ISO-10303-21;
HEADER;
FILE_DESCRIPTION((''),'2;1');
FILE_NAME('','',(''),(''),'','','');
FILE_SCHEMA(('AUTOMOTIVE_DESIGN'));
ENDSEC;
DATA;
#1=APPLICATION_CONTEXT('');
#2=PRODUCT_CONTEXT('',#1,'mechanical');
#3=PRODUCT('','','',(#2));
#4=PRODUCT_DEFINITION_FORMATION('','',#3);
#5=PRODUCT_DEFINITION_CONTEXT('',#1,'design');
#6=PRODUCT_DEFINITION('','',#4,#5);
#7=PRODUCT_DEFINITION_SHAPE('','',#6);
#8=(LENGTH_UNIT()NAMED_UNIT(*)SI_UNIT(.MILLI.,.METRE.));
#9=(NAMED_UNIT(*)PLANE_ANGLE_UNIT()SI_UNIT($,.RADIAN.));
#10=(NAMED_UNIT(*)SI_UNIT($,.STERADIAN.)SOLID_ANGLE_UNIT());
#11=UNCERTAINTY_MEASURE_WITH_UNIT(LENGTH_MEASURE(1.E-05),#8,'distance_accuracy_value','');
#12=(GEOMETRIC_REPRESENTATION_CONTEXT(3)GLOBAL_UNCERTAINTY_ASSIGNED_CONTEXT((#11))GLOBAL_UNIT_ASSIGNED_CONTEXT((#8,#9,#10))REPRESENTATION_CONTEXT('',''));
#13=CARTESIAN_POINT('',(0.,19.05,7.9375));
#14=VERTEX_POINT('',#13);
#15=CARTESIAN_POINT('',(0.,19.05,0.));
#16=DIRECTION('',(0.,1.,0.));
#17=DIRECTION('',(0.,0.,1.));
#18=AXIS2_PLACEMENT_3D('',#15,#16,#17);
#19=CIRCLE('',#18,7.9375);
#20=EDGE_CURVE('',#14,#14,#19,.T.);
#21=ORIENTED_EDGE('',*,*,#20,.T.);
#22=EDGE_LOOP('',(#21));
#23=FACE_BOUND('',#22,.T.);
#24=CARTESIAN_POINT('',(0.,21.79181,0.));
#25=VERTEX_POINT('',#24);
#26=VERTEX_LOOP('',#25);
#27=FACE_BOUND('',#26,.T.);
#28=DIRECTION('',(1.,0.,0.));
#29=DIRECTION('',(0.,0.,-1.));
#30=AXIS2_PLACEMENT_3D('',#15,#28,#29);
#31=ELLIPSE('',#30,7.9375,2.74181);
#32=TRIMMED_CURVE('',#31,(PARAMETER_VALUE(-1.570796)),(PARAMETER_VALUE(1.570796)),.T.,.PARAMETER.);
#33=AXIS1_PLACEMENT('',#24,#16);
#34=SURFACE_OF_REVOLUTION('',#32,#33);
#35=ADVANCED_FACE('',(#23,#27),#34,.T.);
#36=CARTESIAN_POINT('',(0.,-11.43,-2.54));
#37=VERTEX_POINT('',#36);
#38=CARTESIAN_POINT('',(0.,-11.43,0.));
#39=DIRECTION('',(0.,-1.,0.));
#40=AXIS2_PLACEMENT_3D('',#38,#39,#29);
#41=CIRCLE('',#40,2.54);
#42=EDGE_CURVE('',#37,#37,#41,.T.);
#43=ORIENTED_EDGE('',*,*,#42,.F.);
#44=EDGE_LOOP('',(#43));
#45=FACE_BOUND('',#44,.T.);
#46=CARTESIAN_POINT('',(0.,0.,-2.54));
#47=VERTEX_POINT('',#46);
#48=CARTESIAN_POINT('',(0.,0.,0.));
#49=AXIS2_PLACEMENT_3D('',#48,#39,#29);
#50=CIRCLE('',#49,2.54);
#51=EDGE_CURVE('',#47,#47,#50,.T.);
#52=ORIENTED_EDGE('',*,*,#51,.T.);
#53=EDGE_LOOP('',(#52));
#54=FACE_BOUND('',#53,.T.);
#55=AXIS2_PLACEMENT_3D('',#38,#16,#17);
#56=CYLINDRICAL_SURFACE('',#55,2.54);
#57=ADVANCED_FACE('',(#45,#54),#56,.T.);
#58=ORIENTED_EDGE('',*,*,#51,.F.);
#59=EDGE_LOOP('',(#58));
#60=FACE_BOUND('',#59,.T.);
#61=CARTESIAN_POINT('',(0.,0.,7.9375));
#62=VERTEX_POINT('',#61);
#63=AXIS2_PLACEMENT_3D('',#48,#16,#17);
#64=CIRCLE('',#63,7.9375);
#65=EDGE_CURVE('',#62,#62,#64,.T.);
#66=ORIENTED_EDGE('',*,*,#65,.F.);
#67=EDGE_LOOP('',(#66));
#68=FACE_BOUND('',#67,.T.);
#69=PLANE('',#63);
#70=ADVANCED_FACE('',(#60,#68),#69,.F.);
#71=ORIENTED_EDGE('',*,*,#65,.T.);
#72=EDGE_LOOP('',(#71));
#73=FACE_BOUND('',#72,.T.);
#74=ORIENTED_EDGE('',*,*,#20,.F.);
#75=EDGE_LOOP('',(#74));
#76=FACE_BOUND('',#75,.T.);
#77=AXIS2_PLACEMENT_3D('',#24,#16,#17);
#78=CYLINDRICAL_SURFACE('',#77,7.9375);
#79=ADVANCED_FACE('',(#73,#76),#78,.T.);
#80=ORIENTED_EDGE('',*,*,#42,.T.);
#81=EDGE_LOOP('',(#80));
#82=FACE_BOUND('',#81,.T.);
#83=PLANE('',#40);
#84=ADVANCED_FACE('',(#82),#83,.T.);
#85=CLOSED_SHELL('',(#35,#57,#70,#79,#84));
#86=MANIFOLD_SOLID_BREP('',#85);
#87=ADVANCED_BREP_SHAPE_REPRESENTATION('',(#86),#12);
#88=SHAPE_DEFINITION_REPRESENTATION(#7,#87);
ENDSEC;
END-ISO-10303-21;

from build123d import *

# Parameters (mm, degrees)
SKETCH3_R           = 2.54
BOSS_EXTRUDE1_DEPTH = 11.43


with BuildPart() as part:
    # Sketch2 → Revolve1 (revolve)
    with BuildSketch(Plane(origin=(0, 0, 0), x_dir=(0, 0, -1), z_dir=(1, 0, 0)), mode=Mode.PRIVATE) as revolve1_sk:
        with BuildLine():
            Line((0, 0), (7.9375, 0))
            Line((7.9375, 0), (7.9375, 19.05))
            add(Edge.make_bspline(
                [(7.9375, 19.05), (7.9375, 21.791809963), (0, 21.791809963)],
                knots=[0, 0, 0, 1.570796327, 1.570796327, 1.570796327], degree=2, weights=[1, 0.707106781, 1]))
            Line((0, 21.791809963), (0, 0))
        make_face()
    revolve(revolve1_sk.sketch.rotate(Axis((0, 21.791809963, 0), (0, -1, 0)), 180), axis=Axis((0, 21.791809963, 0), (0, -1, 0)))

    # Sketch3 → Boss-Extrude1 (add)
    with BuildSketch(Plane.XZ):
        with Locations(Location((0, 0, 0), (0, 0, 270))):
            Circle(SKETCH3_R)
    extrude(amount=BOSS_EXTRUDE1_DEPTH)


solid = part.part
